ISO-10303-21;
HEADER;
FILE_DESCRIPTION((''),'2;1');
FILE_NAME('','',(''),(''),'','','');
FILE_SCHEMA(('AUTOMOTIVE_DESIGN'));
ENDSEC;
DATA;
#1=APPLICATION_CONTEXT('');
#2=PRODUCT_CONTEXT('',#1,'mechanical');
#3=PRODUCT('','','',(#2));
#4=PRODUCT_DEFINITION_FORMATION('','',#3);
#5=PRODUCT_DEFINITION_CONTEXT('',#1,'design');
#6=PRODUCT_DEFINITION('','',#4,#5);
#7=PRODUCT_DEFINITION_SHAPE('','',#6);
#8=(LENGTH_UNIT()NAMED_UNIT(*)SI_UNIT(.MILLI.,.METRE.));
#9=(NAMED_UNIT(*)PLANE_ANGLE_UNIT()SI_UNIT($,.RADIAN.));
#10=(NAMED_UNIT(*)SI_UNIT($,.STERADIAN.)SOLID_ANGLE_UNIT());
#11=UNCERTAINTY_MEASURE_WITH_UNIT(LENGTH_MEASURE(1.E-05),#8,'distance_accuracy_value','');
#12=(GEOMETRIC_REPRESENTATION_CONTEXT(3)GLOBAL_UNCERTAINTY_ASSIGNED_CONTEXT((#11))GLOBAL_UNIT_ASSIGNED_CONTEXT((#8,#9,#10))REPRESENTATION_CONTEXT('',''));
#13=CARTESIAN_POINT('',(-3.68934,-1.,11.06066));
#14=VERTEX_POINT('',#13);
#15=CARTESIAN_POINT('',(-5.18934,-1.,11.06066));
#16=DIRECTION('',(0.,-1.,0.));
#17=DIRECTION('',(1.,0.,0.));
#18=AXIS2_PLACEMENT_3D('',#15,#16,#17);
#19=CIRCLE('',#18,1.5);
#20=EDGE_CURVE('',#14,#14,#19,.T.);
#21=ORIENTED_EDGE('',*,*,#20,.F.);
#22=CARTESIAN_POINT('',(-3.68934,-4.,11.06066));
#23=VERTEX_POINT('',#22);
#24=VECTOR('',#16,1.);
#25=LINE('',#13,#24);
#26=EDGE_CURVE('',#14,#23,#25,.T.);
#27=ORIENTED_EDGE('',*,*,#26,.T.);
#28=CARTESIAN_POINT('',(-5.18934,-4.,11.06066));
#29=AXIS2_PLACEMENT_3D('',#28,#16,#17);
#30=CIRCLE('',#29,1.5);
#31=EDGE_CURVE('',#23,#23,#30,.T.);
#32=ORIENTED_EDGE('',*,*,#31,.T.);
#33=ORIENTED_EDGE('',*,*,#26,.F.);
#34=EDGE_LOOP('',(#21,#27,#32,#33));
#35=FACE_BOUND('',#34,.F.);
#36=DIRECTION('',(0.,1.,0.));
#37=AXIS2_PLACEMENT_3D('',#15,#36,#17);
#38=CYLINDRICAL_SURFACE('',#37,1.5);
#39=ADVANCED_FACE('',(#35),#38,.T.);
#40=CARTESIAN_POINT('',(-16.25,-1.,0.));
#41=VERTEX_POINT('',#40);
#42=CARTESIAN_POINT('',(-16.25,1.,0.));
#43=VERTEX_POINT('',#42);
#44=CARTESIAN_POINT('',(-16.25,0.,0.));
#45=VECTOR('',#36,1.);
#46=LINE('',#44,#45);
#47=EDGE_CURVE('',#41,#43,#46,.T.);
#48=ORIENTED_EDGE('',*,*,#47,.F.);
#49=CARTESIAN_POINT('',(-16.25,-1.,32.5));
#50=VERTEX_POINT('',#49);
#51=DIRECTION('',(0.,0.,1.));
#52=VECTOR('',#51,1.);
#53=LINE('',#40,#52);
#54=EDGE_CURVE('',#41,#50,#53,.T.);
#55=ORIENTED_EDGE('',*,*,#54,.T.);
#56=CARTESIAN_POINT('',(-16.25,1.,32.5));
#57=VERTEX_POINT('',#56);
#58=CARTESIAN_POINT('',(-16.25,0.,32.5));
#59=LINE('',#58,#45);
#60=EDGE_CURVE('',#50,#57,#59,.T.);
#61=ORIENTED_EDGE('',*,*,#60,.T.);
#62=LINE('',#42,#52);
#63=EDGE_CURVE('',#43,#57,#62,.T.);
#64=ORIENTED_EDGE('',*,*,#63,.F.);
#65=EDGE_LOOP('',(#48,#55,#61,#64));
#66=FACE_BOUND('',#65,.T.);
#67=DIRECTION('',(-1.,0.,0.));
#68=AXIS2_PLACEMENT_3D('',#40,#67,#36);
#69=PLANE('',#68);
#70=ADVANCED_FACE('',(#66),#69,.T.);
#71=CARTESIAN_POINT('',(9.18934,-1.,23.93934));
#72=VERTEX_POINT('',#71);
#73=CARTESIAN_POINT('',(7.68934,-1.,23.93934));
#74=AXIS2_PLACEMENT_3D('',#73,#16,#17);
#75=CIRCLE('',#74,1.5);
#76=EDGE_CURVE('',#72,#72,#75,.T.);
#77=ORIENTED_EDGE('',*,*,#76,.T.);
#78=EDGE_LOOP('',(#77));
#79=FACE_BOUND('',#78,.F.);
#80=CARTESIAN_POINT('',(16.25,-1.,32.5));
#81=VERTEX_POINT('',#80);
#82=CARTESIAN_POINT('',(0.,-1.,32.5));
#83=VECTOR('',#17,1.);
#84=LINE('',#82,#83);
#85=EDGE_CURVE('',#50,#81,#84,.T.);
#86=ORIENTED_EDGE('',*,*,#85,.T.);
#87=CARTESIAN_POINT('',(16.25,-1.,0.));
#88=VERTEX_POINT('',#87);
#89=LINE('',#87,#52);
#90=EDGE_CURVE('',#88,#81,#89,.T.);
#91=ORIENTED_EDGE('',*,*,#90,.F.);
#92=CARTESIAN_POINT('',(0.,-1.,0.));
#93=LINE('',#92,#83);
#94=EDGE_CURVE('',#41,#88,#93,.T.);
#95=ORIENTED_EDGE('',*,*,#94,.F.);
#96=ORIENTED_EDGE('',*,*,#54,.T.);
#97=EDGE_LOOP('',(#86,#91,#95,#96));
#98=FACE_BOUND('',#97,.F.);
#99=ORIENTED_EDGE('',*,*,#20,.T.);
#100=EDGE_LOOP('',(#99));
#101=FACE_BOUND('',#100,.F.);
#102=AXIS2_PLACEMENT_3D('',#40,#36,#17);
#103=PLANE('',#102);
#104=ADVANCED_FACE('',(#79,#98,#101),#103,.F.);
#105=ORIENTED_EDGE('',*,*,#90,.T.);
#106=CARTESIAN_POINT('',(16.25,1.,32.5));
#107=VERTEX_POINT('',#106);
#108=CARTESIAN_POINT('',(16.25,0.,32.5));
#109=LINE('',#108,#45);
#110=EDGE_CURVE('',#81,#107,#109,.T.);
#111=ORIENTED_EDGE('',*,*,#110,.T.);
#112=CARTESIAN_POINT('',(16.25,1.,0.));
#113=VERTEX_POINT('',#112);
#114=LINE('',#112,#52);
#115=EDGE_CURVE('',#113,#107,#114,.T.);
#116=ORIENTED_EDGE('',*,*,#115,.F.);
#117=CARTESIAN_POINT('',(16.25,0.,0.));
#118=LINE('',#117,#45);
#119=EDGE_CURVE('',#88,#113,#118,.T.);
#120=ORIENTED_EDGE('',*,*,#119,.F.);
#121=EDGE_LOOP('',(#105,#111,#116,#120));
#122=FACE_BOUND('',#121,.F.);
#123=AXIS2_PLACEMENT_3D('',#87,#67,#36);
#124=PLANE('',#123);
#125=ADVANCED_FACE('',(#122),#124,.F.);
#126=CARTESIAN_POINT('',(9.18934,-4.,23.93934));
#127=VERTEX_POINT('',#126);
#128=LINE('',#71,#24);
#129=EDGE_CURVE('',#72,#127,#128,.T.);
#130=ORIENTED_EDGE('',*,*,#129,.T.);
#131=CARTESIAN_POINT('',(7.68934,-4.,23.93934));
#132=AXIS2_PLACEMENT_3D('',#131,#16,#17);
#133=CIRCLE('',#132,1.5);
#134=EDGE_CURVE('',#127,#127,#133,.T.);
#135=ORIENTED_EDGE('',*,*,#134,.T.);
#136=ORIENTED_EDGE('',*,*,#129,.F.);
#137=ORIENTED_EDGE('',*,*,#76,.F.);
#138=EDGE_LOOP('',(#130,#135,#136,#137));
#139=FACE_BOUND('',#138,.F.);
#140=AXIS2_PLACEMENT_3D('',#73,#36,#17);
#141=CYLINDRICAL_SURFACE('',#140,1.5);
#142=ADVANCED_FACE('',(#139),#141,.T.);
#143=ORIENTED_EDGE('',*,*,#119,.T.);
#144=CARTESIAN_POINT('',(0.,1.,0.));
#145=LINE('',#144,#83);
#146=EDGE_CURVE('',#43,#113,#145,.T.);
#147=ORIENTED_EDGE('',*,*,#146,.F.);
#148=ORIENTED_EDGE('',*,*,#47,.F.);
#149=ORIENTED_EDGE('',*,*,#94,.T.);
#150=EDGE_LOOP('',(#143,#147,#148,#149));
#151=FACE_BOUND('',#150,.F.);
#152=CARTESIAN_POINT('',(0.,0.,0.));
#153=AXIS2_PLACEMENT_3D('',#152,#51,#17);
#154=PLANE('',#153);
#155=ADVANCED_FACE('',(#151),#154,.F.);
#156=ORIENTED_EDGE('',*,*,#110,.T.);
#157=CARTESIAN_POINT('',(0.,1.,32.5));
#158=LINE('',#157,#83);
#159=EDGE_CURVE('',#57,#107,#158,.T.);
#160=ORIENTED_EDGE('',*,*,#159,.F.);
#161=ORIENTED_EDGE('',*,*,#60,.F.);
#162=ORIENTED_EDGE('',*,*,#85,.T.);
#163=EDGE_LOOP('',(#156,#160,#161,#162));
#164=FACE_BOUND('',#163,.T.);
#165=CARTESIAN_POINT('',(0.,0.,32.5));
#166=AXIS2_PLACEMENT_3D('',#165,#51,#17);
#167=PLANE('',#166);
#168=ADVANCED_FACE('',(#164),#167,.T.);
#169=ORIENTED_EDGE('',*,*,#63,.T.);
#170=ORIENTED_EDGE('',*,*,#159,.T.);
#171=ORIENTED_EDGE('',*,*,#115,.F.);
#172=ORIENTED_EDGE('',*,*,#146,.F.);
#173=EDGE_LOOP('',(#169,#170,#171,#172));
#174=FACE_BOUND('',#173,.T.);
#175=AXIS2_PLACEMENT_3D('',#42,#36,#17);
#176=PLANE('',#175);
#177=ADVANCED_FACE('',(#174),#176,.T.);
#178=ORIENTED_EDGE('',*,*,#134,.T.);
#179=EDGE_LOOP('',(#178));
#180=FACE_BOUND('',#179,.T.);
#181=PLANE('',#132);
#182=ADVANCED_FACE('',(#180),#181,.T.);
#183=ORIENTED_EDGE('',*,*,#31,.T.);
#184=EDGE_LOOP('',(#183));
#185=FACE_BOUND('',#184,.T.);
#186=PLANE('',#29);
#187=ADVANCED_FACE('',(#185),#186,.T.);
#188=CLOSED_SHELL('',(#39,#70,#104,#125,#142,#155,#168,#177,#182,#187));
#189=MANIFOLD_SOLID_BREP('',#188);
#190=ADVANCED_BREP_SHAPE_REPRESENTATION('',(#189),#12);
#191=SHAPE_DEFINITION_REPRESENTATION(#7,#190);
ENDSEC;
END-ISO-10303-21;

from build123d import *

# Parameters (mm, degrees)
F0_W     = 32.5
F0_H     = 2
F1_DEPTH = 32.5
F2_R     = 1.5
F3_DEPTH = 3


with BuildPart() as f1:
    # F0 (on Top) → F1 (new body)
    with BuildSketch(Plane.XY):
        Rectangle(F0_W, F0_H)
    extrude(amount=F1_DEPTH)

    # F2 (on face) → F3 (join)
    with BuildSketch(Plane.XZ.offset(1)):
        with Locations((-5.18934, 11.06066)):
            Circle(F2_R)
        with Locations((7.68934, 23.93934)):
            Circle(F2_R)
    extrude(amount=F3_DEPTH)


solid = f1.part
